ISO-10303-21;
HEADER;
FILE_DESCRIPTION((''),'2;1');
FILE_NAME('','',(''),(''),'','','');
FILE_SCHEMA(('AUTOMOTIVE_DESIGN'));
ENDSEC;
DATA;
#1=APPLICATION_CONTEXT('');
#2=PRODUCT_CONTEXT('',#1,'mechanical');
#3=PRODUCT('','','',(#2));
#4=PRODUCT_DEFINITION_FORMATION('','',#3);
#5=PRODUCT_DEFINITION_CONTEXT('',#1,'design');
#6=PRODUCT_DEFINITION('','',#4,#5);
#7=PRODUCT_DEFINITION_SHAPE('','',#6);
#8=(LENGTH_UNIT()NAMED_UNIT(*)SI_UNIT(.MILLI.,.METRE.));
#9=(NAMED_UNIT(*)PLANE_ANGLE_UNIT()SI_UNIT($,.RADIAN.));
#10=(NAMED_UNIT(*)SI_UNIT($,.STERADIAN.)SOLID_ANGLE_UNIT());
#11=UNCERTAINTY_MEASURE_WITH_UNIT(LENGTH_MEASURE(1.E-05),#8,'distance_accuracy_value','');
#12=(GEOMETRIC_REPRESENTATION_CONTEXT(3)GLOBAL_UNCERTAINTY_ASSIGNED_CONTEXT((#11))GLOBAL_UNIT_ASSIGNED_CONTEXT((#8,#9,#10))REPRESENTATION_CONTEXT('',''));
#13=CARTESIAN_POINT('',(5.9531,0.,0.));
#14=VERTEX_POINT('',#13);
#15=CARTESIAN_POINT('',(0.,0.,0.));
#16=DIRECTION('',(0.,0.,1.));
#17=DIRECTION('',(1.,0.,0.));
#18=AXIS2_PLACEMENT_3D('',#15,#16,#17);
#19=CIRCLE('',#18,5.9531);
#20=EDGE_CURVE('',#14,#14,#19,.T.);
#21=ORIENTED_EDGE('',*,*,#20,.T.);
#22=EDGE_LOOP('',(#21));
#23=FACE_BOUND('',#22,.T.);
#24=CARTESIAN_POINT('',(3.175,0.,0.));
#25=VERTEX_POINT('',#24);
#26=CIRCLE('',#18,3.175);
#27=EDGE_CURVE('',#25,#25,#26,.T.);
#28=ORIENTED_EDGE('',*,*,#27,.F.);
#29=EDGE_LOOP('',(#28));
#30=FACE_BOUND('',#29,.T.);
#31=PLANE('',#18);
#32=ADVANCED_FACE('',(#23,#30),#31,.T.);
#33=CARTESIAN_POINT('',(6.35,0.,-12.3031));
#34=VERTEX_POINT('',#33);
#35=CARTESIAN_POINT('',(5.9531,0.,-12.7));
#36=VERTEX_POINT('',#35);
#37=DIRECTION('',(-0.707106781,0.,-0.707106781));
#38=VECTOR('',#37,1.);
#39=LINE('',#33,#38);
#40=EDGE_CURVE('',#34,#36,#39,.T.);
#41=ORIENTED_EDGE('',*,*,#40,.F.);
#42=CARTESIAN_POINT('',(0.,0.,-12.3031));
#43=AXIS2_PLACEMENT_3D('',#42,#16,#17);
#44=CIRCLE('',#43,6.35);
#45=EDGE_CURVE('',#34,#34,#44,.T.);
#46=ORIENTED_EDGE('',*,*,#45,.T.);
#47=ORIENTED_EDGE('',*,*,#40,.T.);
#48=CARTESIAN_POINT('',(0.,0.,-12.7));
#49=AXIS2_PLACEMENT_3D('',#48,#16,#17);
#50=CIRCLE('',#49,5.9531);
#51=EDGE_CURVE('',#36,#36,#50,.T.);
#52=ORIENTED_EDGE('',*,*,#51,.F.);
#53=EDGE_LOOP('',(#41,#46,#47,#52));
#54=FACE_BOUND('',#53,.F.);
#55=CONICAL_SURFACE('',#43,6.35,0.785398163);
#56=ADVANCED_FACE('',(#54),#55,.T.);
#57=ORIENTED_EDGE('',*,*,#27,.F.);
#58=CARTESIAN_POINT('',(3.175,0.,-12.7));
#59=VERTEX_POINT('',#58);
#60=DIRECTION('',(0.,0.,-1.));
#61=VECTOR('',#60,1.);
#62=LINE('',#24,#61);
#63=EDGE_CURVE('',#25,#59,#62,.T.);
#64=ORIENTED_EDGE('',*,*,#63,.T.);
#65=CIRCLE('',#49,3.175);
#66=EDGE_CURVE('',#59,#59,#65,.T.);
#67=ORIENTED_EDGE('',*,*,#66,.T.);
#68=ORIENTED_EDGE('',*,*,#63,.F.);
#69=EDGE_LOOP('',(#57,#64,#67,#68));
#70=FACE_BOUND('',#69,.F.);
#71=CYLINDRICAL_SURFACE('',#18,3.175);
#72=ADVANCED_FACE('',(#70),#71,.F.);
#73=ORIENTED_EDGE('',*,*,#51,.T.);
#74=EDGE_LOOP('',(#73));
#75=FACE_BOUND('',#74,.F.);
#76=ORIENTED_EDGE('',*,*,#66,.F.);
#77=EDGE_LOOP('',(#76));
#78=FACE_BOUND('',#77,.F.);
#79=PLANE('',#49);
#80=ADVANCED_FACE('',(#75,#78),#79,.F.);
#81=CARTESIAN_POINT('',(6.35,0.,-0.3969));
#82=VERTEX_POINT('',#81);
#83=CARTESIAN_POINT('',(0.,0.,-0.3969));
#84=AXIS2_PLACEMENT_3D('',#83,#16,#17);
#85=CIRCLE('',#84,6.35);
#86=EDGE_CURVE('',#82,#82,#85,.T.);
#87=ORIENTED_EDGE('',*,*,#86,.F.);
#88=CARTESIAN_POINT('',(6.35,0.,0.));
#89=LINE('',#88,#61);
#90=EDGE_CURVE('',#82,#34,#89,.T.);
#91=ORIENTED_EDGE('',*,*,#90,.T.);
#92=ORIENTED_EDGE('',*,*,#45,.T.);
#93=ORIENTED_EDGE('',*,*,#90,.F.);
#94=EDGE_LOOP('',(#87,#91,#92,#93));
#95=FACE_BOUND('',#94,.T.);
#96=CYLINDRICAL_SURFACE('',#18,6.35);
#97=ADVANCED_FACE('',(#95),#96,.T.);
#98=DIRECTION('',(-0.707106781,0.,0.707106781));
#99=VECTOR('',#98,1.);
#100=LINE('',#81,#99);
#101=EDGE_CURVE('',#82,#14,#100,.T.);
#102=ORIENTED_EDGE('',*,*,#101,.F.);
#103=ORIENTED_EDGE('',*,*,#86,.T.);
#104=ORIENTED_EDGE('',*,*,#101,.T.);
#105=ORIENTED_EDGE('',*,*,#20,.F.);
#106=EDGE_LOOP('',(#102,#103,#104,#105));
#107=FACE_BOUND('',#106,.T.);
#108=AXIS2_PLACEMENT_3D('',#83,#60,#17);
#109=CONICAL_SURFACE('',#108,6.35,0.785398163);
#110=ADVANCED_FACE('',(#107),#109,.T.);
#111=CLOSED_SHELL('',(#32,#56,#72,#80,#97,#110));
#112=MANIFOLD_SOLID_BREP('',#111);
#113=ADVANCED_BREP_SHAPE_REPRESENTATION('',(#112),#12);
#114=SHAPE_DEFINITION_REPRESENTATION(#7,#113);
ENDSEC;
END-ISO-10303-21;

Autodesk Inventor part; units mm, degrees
ref_plane "YZ Plane" through (0, 0, 0) normal (1, 0, 0) x (0, 1, 0)
ref_plane "XZ Plane" through (0, 0, 0) normal (0, 1, 0) x (-1, 0, 0)
ref_plane "XY Plane" through (0, 0, 0) normal (0, 0, 1) x (1, 0, 0)
sketch "Sketch1" plane through (0, 0, 0) normal (0, 0, 1) x (1, 0, 0)
  circle A0 centre (0, 0) radius 3.175
  circle A1 centre (0, 0) radius 6.35
  dimension "d0" = 6.35
  dimension "d1" = 12.7
extrude "Extrusion1" add sketch "Sketch1" against normal blind 12.7
chamfer "Chamfer1" distance 0.3969 angle 45 2 edges at (-6.35, 0, 0) (-6.35, 0, -12.7)
properties part number "lexan bolt spacer"
